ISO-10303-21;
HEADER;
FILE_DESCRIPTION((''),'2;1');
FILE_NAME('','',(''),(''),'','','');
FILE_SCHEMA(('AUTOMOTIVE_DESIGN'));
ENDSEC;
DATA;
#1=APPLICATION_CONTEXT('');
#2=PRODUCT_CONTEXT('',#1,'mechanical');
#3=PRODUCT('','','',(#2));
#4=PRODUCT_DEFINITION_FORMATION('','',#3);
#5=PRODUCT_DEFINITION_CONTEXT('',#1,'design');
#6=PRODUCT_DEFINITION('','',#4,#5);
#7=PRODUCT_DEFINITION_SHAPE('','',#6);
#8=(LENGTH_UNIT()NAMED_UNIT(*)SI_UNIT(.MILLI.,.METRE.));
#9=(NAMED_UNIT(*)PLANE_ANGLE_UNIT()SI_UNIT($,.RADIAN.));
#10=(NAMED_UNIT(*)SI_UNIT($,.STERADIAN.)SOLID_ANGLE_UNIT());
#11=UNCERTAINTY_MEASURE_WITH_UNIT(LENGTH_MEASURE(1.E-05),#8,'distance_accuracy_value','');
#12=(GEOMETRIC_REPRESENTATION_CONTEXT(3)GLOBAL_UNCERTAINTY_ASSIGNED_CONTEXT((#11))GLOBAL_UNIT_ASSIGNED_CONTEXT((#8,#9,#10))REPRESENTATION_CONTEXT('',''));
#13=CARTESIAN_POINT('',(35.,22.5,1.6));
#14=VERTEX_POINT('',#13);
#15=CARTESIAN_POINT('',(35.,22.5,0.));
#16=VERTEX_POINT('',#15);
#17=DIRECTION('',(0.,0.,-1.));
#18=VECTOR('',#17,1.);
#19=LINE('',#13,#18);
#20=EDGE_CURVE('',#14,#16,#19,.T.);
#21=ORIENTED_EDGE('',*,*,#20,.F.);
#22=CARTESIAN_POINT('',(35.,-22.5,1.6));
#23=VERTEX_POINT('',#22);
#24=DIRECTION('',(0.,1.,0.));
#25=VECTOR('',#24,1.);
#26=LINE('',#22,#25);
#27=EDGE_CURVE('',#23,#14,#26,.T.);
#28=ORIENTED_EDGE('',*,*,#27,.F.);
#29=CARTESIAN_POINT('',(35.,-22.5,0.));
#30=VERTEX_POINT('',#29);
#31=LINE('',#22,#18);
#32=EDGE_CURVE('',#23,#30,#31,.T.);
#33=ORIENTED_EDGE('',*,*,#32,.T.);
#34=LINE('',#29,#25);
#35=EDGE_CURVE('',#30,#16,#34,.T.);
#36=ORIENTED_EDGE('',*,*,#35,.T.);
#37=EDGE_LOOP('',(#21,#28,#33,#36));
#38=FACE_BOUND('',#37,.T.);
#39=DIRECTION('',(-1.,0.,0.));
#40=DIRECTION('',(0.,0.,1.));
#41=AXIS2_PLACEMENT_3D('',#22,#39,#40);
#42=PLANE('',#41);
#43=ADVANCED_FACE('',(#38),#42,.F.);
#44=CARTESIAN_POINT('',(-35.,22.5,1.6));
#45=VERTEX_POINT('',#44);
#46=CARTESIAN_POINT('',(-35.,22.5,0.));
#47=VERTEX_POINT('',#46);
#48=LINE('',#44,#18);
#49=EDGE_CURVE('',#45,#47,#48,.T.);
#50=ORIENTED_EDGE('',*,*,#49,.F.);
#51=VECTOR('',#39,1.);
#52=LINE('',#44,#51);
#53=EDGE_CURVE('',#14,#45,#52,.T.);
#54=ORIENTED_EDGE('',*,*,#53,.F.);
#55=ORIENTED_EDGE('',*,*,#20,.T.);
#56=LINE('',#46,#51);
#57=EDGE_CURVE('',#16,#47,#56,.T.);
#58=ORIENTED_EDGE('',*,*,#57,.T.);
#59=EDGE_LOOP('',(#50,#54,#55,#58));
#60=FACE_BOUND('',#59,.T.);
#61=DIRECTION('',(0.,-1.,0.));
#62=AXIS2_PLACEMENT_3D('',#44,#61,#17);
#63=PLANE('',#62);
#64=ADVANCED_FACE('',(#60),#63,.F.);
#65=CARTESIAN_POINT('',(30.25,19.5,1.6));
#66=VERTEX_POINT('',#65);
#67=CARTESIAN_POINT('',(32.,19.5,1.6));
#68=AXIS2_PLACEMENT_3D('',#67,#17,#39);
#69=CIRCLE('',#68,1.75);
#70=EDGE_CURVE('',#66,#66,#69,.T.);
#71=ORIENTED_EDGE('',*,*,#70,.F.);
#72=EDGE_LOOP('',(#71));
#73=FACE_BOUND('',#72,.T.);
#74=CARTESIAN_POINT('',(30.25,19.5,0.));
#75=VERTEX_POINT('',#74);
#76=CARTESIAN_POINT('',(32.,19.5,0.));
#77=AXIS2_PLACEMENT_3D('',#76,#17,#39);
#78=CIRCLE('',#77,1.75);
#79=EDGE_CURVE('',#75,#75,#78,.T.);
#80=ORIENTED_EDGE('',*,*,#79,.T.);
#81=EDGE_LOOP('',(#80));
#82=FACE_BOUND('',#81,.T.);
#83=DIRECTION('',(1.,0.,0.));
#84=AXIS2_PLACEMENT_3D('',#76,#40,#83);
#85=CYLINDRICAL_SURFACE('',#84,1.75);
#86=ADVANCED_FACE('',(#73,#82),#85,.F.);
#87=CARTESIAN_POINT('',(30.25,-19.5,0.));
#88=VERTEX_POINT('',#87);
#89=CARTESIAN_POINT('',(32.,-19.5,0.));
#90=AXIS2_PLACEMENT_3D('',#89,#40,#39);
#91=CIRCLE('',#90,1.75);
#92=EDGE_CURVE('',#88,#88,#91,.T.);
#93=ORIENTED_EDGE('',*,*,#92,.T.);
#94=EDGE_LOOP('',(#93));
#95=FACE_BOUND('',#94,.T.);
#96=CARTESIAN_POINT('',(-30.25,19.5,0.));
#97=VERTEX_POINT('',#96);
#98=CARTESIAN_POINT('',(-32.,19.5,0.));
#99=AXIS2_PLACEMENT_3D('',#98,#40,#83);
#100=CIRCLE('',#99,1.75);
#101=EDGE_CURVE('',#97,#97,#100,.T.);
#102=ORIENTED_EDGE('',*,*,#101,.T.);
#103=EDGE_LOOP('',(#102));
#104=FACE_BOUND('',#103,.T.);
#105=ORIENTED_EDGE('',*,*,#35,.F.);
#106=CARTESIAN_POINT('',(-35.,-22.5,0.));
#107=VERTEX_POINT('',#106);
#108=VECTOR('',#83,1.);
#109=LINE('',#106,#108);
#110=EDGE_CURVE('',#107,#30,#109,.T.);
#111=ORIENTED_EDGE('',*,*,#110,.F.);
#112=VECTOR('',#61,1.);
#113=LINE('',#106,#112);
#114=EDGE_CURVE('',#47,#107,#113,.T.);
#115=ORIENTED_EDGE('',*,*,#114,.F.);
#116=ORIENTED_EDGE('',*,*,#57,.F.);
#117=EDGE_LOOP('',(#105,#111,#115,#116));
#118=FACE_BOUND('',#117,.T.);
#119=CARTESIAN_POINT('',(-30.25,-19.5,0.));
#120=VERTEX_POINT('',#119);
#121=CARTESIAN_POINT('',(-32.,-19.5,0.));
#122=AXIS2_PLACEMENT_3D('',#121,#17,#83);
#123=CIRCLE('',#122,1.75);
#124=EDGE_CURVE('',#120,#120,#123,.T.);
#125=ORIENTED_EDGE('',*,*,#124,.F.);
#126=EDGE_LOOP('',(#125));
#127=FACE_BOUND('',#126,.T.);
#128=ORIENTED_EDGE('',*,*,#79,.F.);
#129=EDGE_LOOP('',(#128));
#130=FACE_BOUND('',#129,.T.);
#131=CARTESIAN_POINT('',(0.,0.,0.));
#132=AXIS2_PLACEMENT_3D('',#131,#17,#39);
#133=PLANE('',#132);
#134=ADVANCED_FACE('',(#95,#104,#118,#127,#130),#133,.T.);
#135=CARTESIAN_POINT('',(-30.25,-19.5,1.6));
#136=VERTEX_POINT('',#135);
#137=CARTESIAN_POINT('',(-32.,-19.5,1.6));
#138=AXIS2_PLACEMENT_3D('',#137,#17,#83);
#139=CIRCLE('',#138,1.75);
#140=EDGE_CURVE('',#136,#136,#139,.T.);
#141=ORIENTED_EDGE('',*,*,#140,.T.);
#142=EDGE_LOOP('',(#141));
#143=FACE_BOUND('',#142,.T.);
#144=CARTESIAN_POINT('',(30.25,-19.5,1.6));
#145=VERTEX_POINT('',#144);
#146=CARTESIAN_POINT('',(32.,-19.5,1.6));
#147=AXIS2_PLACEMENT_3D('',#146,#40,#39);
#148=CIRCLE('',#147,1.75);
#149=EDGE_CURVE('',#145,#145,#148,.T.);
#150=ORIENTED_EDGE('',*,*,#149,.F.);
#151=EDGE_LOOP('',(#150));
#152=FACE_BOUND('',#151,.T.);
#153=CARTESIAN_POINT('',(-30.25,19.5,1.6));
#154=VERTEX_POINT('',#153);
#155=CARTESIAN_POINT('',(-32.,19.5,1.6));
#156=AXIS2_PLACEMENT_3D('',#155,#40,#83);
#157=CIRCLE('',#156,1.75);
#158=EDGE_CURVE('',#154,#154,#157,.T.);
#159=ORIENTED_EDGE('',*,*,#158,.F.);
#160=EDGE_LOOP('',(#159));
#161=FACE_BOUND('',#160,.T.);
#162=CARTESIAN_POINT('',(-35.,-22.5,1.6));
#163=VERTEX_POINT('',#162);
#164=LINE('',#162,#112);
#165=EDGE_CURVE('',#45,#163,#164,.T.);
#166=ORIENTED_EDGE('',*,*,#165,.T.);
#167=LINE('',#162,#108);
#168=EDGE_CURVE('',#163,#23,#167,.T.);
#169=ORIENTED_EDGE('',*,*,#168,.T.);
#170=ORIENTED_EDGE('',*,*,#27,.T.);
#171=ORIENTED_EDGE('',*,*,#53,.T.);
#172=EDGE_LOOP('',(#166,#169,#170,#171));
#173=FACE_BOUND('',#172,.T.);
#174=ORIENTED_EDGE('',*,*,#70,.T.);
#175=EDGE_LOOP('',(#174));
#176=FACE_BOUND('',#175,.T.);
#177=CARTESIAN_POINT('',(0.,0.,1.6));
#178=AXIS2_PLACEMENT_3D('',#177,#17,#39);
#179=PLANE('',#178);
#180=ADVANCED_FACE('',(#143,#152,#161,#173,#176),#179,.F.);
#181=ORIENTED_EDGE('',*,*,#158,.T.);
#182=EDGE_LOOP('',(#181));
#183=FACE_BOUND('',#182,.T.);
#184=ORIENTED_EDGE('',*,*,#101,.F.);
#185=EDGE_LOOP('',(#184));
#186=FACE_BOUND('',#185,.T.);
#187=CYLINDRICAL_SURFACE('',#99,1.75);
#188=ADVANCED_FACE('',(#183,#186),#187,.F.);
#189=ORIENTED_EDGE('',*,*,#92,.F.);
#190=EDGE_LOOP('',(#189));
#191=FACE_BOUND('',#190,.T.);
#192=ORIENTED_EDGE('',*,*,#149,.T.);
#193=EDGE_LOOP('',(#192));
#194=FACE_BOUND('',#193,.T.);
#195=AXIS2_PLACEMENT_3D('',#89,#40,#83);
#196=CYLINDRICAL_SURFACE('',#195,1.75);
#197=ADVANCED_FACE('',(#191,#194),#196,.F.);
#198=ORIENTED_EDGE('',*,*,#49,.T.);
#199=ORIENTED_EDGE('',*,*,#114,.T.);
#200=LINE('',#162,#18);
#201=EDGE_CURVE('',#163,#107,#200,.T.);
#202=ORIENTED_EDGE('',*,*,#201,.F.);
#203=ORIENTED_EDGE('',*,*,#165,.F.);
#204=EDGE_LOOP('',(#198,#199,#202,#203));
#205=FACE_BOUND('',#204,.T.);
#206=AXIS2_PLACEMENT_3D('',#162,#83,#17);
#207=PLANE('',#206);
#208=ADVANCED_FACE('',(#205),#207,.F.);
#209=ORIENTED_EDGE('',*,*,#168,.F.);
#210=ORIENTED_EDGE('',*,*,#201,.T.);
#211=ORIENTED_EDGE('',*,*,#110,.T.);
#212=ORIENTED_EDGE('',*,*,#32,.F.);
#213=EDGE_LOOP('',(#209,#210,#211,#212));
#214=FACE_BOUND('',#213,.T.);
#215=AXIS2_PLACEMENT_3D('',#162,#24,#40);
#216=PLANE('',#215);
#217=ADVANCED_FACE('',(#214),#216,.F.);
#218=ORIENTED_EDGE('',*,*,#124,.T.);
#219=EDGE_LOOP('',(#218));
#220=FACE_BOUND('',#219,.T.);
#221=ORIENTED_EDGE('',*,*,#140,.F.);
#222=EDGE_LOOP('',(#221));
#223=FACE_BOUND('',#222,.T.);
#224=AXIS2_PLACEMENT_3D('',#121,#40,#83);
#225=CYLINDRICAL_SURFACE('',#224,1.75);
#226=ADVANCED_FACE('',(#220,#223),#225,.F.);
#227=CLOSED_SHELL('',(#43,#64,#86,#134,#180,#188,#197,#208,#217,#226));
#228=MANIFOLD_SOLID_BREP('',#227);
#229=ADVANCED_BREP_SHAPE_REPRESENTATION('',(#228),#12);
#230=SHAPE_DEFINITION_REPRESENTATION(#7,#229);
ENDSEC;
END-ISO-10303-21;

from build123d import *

# Parameters (mm, degrees)
SKETCH1_W               = 70
SKETCH1_H               = 45
BOSS_EXTRUDE1_DEPTH     = 1.6
SKETCH2_R               = 1.75
CUT_EXTRUDE1_DEPTH      = 42.639044177
MIRROR2_COPY_1_SKETCH_R = 1.75
MIRROR2_COPY_1_DEPTH    = 42.639044177


with BuildPart() as part:
    # Sketch1 → Boss-Extrude1 (new body)
    with BuildSketch(Plane.XY):
        Rectangle(SKETCH1_W, SKETCH1_H)
    extrude(amount=BOSS_EXTRUDE1_DEPTH)

    # Sketch2 → Cut-Extrude1 (cut, through all)
    with BuildSketch(Plane.XY.offset(1.6)):
        with Locations((-32, 19.5)):
            Circle(SKETCH2_R)
    cut_extrude1 = extrude(amount=-CUT_EXTRUDE1_DEPTH, mode=Mode.SUBTRACT)

    # Mirror1: Cut-Extrude1 across plane
    add(cut_extrude1.mirror(Plane.ZX), mode=Mode.SUBTRACT)

    # Mirror2: Cut-Extrude1 across plane
    add(cut_extrude1.mirror(Plane(origin=(0, 0, 0), x_dir=(0, 0, 1), z_dir=(1, 0, 0))), mode=Mode.SUBTRACT)

    # Mirror2 copy 1 sketch → Mirror2 copy 1 (cut, through all)
    with BuildSketch(Plane(origin=(0, 0, 1.6), x_dir=(-1, 0, 0), z_dir=(0, 0, 1))):
        with Locations((-32, 19.5)):
            Circle(MIRROR2_COPY_1_SKETCH_R)
    extrude(amount=-MIRROR2_COPY_1_DEPTH, mode=Mode.SUBTRACT)


solid = part.part
